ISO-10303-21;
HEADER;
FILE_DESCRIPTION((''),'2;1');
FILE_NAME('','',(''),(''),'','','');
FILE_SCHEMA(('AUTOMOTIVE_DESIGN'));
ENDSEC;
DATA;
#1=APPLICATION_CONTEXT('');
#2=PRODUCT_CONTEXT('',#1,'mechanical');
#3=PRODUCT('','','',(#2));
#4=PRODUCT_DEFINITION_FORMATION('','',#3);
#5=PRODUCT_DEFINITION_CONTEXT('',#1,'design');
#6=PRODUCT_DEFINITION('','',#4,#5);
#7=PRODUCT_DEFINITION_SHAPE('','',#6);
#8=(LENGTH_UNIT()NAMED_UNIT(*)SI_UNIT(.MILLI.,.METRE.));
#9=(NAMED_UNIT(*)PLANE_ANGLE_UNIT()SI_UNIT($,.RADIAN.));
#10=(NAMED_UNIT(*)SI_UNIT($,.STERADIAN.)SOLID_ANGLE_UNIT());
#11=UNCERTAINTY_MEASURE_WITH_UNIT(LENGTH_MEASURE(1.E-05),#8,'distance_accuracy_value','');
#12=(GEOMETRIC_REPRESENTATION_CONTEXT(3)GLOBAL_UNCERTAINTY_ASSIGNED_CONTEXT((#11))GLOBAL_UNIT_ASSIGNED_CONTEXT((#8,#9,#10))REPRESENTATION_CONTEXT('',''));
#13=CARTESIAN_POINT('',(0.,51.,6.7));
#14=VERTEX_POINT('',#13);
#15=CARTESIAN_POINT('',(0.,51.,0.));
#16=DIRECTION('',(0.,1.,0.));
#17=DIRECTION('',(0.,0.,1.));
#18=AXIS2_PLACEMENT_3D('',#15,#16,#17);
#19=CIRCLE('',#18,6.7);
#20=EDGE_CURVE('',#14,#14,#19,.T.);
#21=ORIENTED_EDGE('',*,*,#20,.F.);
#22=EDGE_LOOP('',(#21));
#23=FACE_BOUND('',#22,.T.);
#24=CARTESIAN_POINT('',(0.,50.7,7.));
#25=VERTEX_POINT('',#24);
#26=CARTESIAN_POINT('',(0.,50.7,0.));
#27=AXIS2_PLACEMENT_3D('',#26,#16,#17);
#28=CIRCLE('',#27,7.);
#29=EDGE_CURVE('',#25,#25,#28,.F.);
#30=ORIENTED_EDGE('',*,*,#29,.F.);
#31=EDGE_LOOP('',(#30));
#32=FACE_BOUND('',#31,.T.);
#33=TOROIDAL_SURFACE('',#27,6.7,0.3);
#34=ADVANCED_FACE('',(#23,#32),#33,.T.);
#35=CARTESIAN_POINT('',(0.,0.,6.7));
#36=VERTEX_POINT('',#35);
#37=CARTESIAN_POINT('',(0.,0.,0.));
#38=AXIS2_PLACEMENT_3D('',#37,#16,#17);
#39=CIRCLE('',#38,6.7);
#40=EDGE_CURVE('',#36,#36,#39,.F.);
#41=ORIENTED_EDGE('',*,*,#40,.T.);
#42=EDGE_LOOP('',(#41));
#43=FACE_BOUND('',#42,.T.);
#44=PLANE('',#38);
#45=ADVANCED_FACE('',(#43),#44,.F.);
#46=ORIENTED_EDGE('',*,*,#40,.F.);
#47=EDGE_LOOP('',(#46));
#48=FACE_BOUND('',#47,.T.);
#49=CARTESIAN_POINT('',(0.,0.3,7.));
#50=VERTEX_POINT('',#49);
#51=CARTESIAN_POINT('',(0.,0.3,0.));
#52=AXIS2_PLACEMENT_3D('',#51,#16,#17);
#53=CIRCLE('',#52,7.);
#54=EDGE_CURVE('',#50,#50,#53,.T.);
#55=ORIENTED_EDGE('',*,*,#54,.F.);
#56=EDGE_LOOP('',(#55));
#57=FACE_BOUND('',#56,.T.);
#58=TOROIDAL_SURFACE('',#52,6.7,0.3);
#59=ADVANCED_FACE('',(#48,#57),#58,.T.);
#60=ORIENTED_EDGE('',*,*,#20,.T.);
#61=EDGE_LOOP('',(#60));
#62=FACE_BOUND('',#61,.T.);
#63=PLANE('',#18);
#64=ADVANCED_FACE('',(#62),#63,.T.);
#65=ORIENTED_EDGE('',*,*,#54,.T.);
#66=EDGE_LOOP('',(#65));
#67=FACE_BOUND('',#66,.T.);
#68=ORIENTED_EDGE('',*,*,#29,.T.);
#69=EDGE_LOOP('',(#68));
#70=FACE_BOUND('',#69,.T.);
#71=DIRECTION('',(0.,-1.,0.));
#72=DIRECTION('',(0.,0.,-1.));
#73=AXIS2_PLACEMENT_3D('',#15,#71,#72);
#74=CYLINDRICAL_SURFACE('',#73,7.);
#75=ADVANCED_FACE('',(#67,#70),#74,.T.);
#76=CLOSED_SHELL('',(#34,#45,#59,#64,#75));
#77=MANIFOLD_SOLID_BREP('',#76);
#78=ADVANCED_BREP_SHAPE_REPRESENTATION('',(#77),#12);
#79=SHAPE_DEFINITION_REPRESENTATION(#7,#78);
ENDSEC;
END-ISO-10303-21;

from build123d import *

# Parameters (mm, degrees)
SKETCH1_R           = 7
BOSS_EXTRUDE1_DEPTH = 51
FILLET1_R           = 0.3


with BuildPart() as part:
    # Sketch1 → Boss-Extrude1 (new body)
    with BuildSketch(Plane(origin=(0, 0, 0), x_dir=(1, 0, 0), z_dir=(0, 1, 0))):
        Circle(SKETCH1_R)
    extrude(amount=BOSS_EXTRUDE1_DEPTH)

    # Fillet1
    fillet1_edges = [part.edges().sort_by_distance(p)[0] for p in [
        (-7, 0, 0),
        (-7, 51, 0),
    ]]
    fillet(fillet1_edges, radius=FILLET1_R)


solid = part.part
